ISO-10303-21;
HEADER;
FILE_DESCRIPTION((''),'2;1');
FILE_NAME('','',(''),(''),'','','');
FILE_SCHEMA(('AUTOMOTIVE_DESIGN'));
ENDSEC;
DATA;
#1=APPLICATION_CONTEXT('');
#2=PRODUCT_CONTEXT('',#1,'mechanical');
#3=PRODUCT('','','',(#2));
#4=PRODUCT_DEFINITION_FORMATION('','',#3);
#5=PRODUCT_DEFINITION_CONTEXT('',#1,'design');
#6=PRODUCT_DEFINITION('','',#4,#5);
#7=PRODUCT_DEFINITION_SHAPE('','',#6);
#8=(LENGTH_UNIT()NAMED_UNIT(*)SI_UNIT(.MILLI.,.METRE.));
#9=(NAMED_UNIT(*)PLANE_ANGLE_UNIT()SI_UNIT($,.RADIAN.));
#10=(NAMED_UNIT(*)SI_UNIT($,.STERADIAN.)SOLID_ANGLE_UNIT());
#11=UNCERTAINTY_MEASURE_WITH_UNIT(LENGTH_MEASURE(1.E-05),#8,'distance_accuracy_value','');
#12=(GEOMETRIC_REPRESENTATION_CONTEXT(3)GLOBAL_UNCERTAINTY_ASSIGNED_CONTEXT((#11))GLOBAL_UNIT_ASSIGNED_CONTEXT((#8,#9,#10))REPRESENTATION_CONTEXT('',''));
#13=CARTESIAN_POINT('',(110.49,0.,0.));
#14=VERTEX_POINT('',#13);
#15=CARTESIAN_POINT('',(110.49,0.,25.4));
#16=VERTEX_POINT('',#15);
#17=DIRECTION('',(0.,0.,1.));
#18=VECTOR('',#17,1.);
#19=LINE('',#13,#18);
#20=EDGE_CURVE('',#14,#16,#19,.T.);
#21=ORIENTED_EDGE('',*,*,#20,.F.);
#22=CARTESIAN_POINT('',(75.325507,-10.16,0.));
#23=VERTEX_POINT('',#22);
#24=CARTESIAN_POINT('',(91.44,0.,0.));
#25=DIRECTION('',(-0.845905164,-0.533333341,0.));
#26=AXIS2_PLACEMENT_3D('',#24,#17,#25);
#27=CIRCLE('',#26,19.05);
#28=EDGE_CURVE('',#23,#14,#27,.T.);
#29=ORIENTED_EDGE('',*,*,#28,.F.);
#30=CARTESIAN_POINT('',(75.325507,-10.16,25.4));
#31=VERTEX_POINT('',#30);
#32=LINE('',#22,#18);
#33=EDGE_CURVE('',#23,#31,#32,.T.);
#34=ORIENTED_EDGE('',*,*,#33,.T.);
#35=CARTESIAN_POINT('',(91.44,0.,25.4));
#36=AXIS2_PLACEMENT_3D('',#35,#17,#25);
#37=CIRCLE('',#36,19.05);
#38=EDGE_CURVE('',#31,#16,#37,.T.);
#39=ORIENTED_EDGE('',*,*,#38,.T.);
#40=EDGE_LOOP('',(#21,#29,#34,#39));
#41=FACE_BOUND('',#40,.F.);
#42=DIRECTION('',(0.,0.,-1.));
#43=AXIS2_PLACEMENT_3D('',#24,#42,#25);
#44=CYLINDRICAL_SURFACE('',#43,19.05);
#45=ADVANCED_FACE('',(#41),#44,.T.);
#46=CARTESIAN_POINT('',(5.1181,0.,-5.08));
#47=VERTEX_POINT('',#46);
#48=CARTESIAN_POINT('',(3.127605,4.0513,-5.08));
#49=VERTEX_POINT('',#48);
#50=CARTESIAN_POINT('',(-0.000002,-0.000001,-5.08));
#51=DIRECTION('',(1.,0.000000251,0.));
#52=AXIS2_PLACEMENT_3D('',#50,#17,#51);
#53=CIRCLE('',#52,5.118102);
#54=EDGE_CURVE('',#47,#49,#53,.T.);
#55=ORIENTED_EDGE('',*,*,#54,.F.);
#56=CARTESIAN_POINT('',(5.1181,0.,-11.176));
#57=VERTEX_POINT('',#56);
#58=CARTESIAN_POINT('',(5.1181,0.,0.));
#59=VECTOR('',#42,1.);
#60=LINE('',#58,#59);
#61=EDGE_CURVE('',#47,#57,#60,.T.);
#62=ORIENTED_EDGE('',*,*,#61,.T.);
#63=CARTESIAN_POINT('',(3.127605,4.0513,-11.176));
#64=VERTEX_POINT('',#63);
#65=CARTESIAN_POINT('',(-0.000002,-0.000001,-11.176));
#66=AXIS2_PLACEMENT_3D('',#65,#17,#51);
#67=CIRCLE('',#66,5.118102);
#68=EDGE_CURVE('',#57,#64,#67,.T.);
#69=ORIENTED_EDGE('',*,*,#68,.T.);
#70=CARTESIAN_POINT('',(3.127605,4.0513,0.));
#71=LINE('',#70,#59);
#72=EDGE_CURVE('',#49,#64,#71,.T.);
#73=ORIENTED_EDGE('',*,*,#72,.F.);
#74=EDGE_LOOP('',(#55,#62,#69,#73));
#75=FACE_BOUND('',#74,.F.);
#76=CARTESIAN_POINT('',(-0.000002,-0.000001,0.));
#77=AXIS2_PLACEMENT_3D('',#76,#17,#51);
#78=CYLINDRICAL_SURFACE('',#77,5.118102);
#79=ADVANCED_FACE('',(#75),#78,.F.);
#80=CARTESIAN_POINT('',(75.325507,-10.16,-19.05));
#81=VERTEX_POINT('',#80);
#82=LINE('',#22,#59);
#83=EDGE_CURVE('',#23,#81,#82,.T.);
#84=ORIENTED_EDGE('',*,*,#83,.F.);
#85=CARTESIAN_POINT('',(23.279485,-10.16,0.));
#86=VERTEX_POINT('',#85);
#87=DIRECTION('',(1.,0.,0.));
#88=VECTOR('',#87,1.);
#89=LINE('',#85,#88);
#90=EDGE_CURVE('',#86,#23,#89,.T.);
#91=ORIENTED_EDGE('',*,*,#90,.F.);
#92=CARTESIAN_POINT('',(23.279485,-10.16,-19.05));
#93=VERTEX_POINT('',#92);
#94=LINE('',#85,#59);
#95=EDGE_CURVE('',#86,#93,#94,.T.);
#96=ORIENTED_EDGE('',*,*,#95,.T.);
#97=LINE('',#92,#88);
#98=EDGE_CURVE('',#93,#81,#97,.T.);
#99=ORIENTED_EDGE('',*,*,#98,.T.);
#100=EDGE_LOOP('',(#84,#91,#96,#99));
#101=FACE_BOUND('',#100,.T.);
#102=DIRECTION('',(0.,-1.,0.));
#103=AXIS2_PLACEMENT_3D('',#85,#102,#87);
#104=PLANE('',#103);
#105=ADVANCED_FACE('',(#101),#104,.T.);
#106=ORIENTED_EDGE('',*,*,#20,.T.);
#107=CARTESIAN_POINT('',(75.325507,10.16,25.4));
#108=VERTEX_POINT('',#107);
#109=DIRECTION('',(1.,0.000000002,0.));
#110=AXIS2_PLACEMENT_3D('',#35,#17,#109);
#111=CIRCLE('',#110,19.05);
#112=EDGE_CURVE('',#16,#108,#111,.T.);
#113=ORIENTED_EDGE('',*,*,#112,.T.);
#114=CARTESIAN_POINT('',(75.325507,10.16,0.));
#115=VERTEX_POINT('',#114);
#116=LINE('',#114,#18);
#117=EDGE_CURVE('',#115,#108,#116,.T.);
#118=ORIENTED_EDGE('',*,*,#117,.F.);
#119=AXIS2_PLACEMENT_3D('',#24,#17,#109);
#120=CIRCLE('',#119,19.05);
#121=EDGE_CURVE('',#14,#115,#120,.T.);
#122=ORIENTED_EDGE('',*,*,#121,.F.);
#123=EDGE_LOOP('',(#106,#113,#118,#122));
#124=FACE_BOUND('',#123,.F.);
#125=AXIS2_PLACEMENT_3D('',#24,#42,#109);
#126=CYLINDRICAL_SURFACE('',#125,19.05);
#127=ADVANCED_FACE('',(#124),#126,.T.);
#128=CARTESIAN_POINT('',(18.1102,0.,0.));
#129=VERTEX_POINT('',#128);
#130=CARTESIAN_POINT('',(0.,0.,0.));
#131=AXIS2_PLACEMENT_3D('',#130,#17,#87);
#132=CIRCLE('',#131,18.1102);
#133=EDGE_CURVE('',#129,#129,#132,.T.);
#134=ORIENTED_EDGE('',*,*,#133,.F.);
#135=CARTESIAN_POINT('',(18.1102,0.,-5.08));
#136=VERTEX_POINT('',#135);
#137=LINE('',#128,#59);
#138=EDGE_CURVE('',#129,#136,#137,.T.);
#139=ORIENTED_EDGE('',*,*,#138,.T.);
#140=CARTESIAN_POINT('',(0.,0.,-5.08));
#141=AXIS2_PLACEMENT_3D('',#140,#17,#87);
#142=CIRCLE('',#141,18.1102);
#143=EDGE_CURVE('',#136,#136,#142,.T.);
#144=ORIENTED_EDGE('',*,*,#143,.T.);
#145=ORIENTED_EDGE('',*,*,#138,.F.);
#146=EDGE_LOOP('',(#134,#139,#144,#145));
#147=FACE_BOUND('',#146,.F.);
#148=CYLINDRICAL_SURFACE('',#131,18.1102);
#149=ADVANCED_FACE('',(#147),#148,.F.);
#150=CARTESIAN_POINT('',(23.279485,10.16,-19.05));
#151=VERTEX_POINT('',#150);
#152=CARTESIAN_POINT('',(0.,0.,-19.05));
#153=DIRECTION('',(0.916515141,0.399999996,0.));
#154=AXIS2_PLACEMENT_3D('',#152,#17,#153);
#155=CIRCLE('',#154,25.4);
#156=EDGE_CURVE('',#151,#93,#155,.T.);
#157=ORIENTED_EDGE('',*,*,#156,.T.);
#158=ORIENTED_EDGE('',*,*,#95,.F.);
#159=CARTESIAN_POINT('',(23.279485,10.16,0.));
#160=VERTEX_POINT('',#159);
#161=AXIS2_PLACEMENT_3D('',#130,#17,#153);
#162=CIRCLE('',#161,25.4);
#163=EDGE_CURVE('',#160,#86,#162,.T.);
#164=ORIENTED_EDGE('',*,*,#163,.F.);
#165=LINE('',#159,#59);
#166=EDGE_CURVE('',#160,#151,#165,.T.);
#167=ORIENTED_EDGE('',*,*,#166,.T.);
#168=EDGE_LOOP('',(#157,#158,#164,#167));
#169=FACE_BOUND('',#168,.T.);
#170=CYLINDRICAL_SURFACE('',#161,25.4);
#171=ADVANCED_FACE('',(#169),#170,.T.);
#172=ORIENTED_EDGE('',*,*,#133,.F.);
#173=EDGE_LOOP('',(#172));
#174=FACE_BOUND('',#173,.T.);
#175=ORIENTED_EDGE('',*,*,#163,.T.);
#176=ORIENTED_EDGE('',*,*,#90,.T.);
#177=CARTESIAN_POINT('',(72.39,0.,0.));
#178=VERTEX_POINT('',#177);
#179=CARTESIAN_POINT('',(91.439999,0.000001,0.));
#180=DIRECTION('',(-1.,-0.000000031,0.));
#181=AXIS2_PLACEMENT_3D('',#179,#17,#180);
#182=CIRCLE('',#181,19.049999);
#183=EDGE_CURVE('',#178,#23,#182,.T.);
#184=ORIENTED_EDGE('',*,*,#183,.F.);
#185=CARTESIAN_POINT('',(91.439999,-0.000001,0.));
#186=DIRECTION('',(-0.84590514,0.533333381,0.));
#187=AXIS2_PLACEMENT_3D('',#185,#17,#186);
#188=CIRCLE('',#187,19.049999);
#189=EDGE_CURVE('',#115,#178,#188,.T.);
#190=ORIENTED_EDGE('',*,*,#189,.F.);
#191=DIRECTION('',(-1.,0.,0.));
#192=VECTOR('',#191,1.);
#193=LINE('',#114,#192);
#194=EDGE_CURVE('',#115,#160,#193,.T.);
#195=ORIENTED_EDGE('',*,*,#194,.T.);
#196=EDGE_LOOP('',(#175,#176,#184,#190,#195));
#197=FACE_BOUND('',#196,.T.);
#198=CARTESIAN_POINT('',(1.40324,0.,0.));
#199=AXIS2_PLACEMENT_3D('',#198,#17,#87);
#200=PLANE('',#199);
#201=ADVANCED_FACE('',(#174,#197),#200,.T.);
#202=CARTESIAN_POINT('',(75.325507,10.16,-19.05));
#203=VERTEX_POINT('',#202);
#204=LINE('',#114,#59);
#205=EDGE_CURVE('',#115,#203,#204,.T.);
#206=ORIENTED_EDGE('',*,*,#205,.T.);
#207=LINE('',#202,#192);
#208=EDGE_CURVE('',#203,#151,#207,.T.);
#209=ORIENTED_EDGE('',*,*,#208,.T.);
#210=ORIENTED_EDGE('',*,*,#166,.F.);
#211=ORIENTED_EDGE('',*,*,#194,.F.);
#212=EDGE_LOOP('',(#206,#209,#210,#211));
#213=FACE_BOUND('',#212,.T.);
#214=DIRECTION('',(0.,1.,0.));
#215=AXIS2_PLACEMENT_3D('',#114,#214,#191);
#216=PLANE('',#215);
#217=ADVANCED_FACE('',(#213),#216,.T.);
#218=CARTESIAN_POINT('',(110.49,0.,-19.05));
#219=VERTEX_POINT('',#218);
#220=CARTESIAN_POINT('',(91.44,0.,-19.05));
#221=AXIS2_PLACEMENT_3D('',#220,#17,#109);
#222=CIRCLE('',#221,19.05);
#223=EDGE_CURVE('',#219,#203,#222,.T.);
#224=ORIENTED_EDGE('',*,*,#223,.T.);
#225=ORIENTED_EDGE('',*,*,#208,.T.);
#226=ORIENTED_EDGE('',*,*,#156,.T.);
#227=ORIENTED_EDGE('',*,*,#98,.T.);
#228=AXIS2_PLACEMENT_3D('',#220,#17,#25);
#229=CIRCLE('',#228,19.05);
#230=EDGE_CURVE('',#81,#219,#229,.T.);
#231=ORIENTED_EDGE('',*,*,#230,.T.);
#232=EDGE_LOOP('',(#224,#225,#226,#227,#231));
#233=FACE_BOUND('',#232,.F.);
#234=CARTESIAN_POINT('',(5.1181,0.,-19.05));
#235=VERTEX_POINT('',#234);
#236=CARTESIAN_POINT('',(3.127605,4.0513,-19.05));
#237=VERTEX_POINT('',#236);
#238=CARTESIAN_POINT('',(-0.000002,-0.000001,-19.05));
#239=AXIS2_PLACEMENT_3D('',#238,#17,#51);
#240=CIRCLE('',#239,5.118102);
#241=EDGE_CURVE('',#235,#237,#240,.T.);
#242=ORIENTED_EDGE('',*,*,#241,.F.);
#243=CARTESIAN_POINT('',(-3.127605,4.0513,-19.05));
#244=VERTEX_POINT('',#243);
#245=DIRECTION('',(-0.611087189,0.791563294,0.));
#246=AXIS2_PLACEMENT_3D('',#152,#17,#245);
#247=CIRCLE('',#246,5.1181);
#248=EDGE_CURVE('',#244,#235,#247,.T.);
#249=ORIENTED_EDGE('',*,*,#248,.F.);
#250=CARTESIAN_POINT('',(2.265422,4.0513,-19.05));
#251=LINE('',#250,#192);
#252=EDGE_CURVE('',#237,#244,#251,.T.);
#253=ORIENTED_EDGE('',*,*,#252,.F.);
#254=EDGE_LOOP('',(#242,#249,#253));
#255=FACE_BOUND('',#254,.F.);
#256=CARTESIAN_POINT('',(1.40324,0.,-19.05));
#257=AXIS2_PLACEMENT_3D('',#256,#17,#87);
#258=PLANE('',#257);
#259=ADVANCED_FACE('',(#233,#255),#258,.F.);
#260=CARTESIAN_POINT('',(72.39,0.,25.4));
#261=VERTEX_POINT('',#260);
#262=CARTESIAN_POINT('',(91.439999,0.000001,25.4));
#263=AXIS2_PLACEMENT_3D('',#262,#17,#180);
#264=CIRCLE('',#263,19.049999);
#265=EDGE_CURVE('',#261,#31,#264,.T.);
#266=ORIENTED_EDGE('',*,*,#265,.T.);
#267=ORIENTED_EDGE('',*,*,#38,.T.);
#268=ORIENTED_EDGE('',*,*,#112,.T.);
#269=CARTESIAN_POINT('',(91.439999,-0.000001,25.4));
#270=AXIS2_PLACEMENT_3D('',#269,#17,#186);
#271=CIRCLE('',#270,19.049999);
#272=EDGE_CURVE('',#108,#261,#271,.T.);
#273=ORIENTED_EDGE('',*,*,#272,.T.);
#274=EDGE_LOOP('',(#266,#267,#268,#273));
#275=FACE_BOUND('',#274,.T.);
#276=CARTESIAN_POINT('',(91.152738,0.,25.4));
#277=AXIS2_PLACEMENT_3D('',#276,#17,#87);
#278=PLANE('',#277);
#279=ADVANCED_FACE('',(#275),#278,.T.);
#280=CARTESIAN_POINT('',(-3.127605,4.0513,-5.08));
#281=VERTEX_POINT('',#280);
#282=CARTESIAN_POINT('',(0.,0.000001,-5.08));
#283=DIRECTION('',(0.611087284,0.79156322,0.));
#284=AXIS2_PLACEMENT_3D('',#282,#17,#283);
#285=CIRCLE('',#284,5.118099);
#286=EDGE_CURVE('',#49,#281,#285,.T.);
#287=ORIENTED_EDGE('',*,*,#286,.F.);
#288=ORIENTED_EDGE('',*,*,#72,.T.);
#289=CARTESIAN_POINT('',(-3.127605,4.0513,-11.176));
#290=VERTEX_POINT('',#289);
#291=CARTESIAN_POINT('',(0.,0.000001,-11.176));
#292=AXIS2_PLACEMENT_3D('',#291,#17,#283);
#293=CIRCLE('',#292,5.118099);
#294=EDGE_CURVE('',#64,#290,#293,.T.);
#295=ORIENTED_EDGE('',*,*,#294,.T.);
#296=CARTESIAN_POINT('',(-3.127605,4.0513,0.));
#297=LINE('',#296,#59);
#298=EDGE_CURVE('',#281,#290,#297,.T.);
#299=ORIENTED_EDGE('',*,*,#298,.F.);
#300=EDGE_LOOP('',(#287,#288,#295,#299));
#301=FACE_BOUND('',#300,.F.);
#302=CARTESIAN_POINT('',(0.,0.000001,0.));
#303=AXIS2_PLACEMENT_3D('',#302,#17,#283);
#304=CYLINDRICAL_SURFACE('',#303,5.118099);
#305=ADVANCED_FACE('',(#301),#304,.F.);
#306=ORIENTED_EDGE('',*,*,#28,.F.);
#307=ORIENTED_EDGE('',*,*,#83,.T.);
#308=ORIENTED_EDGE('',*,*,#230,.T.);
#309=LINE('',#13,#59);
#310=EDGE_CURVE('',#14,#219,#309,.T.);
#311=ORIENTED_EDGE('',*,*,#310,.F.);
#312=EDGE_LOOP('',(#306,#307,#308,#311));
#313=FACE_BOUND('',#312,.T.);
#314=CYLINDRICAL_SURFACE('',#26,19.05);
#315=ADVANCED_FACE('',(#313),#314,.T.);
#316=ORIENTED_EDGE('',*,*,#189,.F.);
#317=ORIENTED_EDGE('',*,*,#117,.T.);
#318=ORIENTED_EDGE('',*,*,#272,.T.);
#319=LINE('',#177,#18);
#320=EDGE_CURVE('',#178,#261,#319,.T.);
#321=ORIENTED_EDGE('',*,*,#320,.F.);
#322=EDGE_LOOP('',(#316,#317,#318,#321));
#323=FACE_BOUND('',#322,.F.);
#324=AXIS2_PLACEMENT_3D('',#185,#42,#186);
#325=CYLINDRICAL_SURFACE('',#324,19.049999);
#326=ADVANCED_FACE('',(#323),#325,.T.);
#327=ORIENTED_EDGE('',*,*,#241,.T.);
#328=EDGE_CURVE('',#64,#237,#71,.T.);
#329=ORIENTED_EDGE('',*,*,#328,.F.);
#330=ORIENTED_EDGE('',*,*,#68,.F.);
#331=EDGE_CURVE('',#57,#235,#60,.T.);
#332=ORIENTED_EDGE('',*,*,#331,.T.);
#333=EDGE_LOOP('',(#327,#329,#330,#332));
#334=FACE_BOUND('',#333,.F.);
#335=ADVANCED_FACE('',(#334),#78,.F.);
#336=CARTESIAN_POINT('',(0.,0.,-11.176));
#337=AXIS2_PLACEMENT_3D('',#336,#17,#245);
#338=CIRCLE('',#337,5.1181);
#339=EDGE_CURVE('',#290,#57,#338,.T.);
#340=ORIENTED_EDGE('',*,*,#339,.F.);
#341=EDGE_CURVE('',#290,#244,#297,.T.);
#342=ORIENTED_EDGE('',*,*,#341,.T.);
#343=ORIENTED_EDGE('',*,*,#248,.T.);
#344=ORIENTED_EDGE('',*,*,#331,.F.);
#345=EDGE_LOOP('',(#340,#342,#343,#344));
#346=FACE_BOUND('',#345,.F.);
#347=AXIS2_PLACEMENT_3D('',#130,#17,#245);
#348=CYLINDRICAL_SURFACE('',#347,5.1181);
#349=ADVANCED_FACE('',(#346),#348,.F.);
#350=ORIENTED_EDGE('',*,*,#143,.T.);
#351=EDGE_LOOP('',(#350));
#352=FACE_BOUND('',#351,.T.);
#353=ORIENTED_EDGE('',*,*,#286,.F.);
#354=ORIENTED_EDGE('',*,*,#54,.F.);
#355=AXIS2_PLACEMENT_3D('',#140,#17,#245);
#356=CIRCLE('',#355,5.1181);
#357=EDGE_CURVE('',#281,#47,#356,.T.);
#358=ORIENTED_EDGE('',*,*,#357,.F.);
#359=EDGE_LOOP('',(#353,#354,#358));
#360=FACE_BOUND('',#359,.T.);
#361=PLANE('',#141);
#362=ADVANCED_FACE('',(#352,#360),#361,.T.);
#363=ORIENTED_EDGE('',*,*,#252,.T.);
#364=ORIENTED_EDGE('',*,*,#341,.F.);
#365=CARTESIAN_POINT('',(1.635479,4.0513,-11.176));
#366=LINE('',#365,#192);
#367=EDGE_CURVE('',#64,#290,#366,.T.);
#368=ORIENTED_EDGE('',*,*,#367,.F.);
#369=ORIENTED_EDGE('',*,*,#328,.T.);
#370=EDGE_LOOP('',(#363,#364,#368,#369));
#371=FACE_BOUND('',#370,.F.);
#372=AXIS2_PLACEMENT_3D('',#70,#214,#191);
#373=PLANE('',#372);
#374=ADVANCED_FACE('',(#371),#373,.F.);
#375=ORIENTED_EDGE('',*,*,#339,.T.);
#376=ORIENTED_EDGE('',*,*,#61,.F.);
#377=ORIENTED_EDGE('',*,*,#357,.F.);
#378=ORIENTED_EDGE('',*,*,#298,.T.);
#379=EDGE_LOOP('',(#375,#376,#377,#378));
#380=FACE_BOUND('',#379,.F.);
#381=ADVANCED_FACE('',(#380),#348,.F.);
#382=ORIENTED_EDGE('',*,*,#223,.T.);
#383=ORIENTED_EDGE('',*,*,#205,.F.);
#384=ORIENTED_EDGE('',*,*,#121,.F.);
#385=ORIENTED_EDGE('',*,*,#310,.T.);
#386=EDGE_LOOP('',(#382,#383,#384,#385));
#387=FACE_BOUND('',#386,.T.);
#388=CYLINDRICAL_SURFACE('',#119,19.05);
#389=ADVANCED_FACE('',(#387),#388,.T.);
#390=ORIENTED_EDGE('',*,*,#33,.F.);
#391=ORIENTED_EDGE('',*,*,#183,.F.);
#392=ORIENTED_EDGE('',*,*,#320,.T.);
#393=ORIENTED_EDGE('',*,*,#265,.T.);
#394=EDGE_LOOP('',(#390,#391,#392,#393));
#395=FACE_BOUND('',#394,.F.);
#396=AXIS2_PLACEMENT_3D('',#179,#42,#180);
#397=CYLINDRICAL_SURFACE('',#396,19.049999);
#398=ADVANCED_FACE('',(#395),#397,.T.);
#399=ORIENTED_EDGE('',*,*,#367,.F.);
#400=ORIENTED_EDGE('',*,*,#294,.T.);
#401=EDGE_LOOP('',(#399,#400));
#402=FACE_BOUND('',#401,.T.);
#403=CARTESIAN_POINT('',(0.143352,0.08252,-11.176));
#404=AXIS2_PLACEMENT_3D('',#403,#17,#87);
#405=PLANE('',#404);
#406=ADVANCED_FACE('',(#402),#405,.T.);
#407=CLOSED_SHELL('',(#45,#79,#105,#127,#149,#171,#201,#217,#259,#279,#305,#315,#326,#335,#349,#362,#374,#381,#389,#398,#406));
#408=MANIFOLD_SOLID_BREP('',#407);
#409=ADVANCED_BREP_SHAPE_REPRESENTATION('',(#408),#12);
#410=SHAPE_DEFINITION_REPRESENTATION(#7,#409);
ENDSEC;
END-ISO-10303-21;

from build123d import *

# Parameters (mm, degrees)
F0_R     = 18.1102
F1_DEPTH = 19.05
F2_DEPTH = 25.4
F3_DEPTH = 5.08
F4_DEPTH = 11.176
F5_DEPTH = 20.32


with BuildPart() as f1:
    # F0 (on Top) → F1 (new body)
    with BuildSketch(Plane.XY):
        with BuildLine():
            ThreePointArc((23.279485, -10.16), (24.86422, -5.189465), (25.4, 0))
            ThreePointArc((25.4, 0), (24.86422, 5.189465), (23.279485, 10.16))
            ThreePointArc((23.279485, 10.16), (-25.4, 0), (23.279485, -10.16))
        make_face()
        Circle(F0_R, mode=Mode.SUBTRACT)
        Circle(F0_R)
        with BuildLine():
            ThreePointArc((3.127605, 4.0513), (4.593601, 2.256939), (5.1181, 0))
            ThreePointArc((5.1181, 0), (-2.256939, -4.593601), (-3.127605, 4.0513))
            ThreePointArc((-3.127605, 4.0513), (0, 5.1181), (3.127605, 4.0513))
        make_face(mode=Mode.SUBTRACT)
        with BuildLine():
            ThreePointArc((-3.127605, 4.0513), (-2.256939, -4.593601), (5.1181, 0))
            ThreePointArc((5.1181, 0), (4.593601, 2.256939), (3.127605, 4.0513))
            Line((3.127605, 4.0513), (-3.127605, 4.0513))
        make_face()
        with BuildLine():
            Line((-3.127605, 4.0513), (3.127605, 4.0513))
            ThreePointArc((3.127605, 4.0513), (0, 5.1181), (-3.127605, 4.0513))
        make_face()
        with BuildLine():
            Line((72.39, 0), (25.4, 0))
            ThreePointArc((25.4, 0), (24.86422, -5.189465), (23.279485, -10.16))
            Line((23.279485, -10.16), (75.325507, -10.16))
            ThreePointArc((75.325507, -10.16), (73.138585, -5.287788), (72.39, 0))
        make_face()
        with BuildLine():
            ThreePointArc((23.279485, 10.16), (24.86422, 5.189465), (25.4, 0))
            Line((25.4, 0), (72.39, 0))
            ThreePointArc((72.39, 0), (73.138585, 5.287788), (75.325507, 10.16))
            Line((75.325507, 10.16), (23.279485, 10.16))
        make_face()
        with BuildLine():
            ThreePointArc((75.325507, 10.16), (73.138585, 5.287788), (72.39, 0))
            ThreePointArc((72.39, 0), (73.138585, -5.287788), (75.325507, -10.16))
            ThreePointArc((75.325507, -10.16), (96.727788, -18.301415), (110.49, 0))
            ThreePointArc((110.49, 0), (96.727788, 18.301415), (75.325507, 10.16))
        make_face()
    extrude(amount=-F1_DEPTH)

    # F0 (on Top) → F2 (join)
    with BuildSketch(Plane.XY):
        with BuildLine():
            ThreePointArc((75.325507, 10.16), (73.138585, 5.287788), (72.39, 0))
            ThreePointArc((72.39, 0), (73.138585, -5.287788), (75.325507, -10.16))
            ThreePointArc((75.325507, -10.16), (96.727788, -18.301415), (110.49, 0))
            ThreePointArc((110.49, 0), (96.727788, 18.301415), (75.325507, 10.16))
        make_face()
    extrude(amount=F2_DEPTH)

    # F0 (on Top) → F3 (cut)
    with BuildSketch(Plane.XY):
        Circle(F0_R)
        with BuildLine():
            ThreePointArc((3.127605, 4.0513), (4.593601, 2.256939), (5.1181, 0))
            ThreePointArc((5.1181, 0), (-2.256939, -4.593601), (-3.127605, 4.0513))
            ThreePointArc((-3.127605, 4.0513), (0, 5.1181), (3.127605, 4.0513))
        make_face(mode=Mode.SUBTRACT)
        with BuildLine():
            ThreePointArc((-3.127605, 4.0513), (-2.256939, -4.593601), (5.1181, 0))
            ThreePointArc((5.1181, 0), (4.593601, 2.256939), (3.127605, 4.0513))
            Line((3.127605, 4.0513), (-3.127605, 4.0513))
        make_face()
        with BuildLine():
            Line((-3.127605, 4.0513), (3.127605, 4.0513))
            ThreePointArc((3.127605, 4.0513), (0, 5.1181), (-3.127605, 4.0513))
        make_face()
    extrude(amount=-F3_DEPTH, mode=Mode.SUBTRACT)

    # F0 (on Top) → F4 (cut)
    with BuildSketch(Plane.XY):
        with BuildLine():
            ThreePointArc((-3.127605, 4.0513), (-2.256939, -4.593601), (5.1181, 0))
            ThreePointArc((5.1181, 0), (4.593601, 2.256939), (3.127605, 4.0513))
            Line((3.127605, 4.0513), (-3.127605, 4.0513))
        make_face()
        with BuildLine():
            Line((-3.127605, 4.0513), (3.127605, 4.0513))
            ThreePointArc((3.127605, 4.0513), (0, 5.1181), (-3.127605, 4.0513))
        make_face()
    extrude(amount=-F4_DEPTH, mode=Mode.SUBTRACT)

    # F0 (on Top) → F5 (cut)
    with BuildSketch(Plane.XY):
        with BuildLine():
            ThreePointArc((-3.127605, 4.0513), (-2.256939, -4.593601), (5.1181, 0))
            ThreePointArc((5.1181, 0), (4.593601, 2.256939), (3.127605, 4.0513))
            Line((3.127605, 4.0513), (-3.127605, 4.0513))
        make_face()
    extrude(amount=-F5_DEPTH, mode=Mode.SUBTRACT)


solid = f1.part
